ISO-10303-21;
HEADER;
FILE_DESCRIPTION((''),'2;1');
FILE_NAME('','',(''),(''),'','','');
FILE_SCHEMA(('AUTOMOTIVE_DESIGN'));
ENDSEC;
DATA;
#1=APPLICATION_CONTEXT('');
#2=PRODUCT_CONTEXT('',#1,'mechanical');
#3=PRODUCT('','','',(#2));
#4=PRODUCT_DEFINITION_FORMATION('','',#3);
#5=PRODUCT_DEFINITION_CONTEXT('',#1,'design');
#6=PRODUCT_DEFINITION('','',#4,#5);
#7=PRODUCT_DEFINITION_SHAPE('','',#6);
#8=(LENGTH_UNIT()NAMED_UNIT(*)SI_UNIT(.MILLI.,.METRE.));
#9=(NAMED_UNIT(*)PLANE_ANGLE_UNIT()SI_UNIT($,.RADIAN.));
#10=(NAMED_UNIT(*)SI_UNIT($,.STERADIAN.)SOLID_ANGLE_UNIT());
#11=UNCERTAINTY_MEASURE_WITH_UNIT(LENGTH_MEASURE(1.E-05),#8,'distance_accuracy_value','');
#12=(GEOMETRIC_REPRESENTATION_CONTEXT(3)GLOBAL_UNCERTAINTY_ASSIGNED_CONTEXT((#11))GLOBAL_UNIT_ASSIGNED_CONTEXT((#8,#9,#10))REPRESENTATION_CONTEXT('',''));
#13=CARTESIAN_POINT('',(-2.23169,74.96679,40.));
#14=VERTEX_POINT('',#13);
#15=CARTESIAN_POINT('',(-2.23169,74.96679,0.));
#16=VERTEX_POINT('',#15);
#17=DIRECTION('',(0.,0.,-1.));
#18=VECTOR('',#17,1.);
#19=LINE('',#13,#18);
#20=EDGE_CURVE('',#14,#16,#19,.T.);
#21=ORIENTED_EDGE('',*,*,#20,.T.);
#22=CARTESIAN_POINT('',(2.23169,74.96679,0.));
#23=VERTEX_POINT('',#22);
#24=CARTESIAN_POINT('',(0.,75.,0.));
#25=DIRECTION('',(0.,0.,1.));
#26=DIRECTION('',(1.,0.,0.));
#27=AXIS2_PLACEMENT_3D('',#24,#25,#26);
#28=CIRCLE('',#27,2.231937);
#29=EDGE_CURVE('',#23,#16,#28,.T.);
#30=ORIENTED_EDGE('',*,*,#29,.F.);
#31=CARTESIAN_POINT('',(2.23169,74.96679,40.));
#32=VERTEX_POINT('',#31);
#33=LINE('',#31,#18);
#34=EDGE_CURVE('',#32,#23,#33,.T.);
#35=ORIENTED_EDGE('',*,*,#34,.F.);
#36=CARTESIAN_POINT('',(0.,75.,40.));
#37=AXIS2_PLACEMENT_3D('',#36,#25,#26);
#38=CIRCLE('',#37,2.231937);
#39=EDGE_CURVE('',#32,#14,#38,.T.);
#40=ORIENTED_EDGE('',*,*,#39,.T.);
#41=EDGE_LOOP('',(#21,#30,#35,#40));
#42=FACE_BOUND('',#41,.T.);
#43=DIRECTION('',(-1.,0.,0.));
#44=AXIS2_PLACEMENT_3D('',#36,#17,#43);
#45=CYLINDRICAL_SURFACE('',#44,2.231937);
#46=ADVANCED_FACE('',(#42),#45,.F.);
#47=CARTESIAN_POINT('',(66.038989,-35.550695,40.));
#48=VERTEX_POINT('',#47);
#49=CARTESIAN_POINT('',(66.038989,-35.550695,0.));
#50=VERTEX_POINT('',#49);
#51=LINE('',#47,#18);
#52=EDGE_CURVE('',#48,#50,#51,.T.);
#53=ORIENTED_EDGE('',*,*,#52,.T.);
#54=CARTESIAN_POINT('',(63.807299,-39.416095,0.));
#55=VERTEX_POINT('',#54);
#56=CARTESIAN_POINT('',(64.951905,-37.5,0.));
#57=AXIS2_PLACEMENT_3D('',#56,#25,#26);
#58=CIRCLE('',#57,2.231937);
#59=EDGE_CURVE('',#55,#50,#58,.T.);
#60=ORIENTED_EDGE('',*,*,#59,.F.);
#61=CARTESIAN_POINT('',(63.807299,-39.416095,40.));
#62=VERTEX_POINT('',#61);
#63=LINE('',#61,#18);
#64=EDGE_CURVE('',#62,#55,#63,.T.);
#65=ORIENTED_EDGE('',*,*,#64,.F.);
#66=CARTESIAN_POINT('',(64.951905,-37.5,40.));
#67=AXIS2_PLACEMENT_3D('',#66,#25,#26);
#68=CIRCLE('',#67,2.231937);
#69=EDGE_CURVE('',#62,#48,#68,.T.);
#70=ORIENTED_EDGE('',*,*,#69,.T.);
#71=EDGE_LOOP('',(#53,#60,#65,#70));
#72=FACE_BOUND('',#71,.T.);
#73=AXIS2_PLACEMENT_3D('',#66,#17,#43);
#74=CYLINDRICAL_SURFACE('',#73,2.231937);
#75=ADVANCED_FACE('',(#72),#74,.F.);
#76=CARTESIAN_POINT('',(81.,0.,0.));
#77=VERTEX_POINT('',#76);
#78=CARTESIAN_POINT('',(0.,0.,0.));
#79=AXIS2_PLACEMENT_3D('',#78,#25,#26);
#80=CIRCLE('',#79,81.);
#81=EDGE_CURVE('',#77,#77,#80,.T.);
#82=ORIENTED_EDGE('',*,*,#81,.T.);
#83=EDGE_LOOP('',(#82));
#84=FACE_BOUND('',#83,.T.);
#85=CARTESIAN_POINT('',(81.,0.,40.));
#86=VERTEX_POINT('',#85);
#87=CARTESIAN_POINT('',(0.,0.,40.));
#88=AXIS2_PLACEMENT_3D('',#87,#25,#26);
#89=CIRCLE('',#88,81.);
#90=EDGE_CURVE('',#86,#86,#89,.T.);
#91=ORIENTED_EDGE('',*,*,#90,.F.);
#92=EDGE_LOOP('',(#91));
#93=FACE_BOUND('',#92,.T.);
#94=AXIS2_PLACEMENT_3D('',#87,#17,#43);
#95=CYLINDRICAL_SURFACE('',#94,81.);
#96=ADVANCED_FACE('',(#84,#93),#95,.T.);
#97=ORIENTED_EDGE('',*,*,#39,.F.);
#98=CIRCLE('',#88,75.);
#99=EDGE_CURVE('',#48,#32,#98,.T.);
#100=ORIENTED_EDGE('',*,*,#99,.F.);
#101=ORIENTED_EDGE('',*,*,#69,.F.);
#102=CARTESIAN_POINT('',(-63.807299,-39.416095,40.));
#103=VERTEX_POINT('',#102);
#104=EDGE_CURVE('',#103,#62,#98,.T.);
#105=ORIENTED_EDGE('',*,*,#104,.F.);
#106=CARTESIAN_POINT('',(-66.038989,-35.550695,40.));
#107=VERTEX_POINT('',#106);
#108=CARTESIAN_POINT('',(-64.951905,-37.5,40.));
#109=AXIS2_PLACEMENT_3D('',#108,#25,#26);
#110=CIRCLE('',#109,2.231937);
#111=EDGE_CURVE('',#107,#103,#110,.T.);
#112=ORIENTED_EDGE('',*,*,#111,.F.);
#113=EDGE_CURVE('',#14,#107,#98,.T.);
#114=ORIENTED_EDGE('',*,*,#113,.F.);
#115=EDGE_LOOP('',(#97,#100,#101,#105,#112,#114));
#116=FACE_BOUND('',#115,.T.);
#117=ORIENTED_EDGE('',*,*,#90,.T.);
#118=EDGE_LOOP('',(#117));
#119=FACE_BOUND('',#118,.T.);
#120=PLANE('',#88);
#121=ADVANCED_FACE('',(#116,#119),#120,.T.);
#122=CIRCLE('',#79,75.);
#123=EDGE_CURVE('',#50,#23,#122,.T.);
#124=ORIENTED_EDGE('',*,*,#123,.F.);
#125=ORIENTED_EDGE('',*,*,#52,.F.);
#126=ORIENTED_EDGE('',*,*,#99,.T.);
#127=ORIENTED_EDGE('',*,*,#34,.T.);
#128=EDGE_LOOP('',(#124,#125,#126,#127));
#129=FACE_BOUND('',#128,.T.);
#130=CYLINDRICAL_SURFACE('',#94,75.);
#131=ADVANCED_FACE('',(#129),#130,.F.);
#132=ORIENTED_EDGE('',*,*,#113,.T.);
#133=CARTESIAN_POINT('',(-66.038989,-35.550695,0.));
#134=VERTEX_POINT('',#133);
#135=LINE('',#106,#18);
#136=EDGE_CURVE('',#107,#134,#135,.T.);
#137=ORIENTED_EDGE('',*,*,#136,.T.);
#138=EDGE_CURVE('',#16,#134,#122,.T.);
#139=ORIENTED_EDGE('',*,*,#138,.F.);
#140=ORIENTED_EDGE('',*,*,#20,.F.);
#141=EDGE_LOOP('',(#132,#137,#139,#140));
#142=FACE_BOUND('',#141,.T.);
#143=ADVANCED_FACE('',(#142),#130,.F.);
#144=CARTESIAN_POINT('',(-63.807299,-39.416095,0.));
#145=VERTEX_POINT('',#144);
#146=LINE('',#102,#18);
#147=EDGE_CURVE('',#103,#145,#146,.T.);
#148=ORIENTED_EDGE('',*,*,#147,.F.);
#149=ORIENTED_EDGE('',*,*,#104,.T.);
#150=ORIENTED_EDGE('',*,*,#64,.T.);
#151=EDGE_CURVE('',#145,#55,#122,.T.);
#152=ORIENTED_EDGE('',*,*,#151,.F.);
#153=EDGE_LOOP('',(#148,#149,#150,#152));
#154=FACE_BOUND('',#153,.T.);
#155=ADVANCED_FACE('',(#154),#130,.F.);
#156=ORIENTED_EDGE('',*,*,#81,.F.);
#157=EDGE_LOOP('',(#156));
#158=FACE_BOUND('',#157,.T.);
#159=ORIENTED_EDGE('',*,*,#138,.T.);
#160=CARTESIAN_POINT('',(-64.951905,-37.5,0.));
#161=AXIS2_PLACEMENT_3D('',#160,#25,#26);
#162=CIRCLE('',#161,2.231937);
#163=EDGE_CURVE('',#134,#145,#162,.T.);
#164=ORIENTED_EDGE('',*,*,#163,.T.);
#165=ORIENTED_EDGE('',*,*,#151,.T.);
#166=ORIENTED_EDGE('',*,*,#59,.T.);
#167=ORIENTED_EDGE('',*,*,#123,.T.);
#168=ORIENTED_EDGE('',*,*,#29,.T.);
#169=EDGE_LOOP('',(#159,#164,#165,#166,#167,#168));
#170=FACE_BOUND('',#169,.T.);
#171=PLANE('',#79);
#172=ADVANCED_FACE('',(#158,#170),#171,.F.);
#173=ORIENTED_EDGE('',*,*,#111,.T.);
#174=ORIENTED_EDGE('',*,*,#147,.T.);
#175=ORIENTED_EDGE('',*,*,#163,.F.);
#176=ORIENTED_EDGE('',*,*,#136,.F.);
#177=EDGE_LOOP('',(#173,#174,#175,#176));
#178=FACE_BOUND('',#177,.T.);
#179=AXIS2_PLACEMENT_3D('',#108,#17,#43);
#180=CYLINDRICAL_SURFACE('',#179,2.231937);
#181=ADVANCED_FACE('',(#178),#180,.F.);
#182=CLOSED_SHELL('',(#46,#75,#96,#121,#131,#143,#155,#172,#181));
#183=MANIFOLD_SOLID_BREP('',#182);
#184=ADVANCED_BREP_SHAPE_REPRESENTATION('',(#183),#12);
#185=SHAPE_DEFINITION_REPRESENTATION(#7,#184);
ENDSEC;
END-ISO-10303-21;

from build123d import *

# Parameters (mm, degrees)
SKETCH1_R           = 81
BOSS_EXTRUDE1_DEPTH = 40


with BuildPart() as part:
    # Sketch1 → Boss-Extrude1 (new body)
    with BuildSketch(Plane.XY):
        Circle(SKETCH1_R)
        with BuildLine():
            ThreePointArc((2.231689825, 74.966789717), (53.816246324, 52.238028596), (75, 0))
            ThreePointArc((75, 0), (72.725250751, -18.331336645), (66.038989248, -35.550694777))
            ThreePointArc((66.038989248, -35.550694777), (66.876463055, -36.369681556), (67.1838422, -37.5))
            ThreePointArc((67.1838422, -37.5), (66.053461983, -39.441163372), (63.807299423, -39.416094941))
            ThreePointArc((63.807299423, -39.416094941), (0, -75), (-63.807299423, -39.416094941))
            ThreePointArc((-63.807299423, -39.416094941), (-66.884819353, -38.615968458), (-66.038989248, -35.550694777))
            ThreePointArc((-66.038989248, -35.550694777), (-64.951905284, 37.5), (-2.231689825, 74.966789717))
            ThreePointArc((-2.231689825, 74.966789717), (-0.016605601, 77.231875143), (2.231936916, 75))
            ThreePointArc((2.231936916, 75), (2.231875143, 74.983394399), (2.231689825, 74.966789717))
        make_face(mode=Mode.SUBTRACT)
    extrude(amount=BOSS_EXTRUDE1_DEPTH)


solid = part.part
